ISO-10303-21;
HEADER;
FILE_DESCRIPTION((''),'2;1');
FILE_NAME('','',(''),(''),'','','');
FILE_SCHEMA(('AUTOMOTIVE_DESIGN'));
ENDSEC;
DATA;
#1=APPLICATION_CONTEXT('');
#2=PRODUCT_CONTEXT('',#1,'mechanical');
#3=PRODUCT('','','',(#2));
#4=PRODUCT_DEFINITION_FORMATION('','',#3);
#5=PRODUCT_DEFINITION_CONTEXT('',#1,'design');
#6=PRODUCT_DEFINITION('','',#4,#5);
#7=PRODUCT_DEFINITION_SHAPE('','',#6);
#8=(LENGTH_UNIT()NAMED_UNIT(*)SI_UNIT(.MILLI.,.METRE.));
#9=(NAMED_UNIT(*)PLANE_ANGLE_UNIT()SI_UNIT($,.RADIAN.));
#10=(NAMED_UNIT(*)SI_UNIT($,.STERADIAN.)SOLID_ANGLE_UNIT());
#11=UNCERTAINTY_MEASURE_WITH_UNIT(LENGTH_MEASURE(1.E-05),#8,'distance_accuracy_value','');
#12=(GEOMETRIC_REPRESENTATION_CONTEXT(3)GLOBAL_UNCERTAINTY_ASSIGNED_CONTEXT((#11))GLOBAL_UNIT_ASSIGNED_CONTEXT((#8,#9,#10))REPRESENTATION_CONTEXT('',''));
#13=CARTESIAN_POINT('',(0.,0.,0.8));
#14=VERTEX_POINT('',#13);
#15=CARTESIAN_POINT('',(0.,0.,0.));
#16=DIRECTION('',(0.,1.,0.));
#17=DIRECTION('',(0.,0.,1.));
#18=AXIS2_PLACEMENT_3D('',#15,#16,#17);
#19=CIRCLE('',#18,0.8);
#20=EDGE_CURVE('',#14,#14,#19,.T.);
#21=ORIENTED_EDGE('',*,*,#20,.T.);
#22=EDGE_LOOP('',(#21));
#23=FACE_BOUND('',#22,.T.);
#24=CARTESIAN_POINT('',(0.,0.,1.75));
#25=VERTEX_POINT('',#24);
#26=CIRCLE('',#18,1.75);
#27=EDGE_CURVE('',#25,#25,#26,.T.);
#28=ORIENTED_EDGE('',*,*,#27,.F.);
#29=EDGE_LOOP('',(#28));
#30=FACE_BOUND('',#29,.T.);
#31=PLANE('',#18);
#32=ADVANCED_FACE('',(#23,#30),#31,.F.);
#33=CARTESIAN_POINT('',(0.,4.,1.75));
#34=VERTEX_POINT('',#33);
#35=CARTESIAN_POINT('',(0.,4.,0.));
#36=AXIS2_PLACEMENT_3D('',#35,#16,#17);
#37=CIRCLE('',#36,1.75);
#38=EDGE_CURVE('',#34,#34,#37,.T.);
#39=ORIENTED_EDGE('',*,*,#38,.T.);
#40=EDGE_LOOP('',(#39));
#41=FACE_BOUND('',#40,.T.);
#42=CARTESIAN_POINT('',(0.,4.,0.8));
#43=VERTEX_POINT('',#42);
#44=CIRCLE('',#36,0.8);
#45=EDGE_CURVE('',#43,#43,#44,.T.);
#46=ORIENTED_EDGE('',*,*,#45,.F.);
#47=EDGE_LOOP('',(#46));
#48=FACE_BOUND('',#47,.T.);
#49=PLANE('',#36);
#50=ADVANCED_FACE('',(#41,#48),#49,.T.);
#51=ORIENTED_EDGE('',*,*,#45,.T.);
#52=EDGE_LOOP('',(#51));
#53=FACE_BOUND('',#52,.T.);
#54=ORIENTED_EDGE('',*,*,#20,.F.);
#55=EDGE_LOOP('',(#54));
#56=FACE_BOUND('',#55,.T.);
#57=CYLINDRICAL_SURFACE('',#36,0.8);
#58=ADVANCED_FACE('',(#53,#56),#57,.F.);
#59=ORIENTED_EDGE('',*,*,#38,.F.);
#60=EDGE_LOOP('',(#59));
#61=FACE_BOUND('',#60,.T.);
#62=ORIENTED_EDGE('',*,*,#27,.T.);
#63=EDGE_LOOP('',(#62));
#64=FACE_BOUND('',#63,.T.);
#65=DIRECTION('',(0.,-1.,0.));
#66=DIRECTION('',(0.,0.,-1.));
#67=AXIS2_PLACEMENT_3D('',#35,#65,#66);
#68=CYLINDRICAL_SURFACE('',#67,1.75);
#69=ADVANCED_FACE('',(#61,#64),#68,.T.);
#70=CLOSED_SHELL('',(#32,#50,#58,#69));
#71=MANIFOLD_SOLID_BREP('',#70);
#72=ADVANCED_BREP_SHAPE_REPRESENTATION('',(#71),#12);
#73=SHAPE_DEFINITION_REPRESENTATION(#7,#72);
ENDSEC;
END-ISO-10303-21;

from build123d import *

# Parameters (mm, degrees)
SKETCH1_R             = 1.75
BOSS_EXTRUDE1_DEPTH   = 4
M2X0_4_TAPPED_HOLE1_D = 1.6


with BuildPart() as part:
    # Sketch1 → Boss-Extrude1 (new body)
    with BuildSketch(Plane(origin=(0, 0, 0), x_dir=(1, 0, 0), z_dir=(0, 1, 0))):
        with Locations(Location((0, 0, 0), (0, 0, 270))):
            Circle(SKETCH1_R)
    extrude(amount=BOSS_EXTRUDE1_DEPTH)

    # M2x0.4 Tapped Hole1 (through all)
    with Locations(Plane(origin=(0, 4, 0), x_dir=(1, 0, 0), z_dir=(0, 1, 0))):
        with Locations((0, 0)):
            Hole(M2X0_4_TAPPED_HOLE1_D / 2)


solid = part.part
